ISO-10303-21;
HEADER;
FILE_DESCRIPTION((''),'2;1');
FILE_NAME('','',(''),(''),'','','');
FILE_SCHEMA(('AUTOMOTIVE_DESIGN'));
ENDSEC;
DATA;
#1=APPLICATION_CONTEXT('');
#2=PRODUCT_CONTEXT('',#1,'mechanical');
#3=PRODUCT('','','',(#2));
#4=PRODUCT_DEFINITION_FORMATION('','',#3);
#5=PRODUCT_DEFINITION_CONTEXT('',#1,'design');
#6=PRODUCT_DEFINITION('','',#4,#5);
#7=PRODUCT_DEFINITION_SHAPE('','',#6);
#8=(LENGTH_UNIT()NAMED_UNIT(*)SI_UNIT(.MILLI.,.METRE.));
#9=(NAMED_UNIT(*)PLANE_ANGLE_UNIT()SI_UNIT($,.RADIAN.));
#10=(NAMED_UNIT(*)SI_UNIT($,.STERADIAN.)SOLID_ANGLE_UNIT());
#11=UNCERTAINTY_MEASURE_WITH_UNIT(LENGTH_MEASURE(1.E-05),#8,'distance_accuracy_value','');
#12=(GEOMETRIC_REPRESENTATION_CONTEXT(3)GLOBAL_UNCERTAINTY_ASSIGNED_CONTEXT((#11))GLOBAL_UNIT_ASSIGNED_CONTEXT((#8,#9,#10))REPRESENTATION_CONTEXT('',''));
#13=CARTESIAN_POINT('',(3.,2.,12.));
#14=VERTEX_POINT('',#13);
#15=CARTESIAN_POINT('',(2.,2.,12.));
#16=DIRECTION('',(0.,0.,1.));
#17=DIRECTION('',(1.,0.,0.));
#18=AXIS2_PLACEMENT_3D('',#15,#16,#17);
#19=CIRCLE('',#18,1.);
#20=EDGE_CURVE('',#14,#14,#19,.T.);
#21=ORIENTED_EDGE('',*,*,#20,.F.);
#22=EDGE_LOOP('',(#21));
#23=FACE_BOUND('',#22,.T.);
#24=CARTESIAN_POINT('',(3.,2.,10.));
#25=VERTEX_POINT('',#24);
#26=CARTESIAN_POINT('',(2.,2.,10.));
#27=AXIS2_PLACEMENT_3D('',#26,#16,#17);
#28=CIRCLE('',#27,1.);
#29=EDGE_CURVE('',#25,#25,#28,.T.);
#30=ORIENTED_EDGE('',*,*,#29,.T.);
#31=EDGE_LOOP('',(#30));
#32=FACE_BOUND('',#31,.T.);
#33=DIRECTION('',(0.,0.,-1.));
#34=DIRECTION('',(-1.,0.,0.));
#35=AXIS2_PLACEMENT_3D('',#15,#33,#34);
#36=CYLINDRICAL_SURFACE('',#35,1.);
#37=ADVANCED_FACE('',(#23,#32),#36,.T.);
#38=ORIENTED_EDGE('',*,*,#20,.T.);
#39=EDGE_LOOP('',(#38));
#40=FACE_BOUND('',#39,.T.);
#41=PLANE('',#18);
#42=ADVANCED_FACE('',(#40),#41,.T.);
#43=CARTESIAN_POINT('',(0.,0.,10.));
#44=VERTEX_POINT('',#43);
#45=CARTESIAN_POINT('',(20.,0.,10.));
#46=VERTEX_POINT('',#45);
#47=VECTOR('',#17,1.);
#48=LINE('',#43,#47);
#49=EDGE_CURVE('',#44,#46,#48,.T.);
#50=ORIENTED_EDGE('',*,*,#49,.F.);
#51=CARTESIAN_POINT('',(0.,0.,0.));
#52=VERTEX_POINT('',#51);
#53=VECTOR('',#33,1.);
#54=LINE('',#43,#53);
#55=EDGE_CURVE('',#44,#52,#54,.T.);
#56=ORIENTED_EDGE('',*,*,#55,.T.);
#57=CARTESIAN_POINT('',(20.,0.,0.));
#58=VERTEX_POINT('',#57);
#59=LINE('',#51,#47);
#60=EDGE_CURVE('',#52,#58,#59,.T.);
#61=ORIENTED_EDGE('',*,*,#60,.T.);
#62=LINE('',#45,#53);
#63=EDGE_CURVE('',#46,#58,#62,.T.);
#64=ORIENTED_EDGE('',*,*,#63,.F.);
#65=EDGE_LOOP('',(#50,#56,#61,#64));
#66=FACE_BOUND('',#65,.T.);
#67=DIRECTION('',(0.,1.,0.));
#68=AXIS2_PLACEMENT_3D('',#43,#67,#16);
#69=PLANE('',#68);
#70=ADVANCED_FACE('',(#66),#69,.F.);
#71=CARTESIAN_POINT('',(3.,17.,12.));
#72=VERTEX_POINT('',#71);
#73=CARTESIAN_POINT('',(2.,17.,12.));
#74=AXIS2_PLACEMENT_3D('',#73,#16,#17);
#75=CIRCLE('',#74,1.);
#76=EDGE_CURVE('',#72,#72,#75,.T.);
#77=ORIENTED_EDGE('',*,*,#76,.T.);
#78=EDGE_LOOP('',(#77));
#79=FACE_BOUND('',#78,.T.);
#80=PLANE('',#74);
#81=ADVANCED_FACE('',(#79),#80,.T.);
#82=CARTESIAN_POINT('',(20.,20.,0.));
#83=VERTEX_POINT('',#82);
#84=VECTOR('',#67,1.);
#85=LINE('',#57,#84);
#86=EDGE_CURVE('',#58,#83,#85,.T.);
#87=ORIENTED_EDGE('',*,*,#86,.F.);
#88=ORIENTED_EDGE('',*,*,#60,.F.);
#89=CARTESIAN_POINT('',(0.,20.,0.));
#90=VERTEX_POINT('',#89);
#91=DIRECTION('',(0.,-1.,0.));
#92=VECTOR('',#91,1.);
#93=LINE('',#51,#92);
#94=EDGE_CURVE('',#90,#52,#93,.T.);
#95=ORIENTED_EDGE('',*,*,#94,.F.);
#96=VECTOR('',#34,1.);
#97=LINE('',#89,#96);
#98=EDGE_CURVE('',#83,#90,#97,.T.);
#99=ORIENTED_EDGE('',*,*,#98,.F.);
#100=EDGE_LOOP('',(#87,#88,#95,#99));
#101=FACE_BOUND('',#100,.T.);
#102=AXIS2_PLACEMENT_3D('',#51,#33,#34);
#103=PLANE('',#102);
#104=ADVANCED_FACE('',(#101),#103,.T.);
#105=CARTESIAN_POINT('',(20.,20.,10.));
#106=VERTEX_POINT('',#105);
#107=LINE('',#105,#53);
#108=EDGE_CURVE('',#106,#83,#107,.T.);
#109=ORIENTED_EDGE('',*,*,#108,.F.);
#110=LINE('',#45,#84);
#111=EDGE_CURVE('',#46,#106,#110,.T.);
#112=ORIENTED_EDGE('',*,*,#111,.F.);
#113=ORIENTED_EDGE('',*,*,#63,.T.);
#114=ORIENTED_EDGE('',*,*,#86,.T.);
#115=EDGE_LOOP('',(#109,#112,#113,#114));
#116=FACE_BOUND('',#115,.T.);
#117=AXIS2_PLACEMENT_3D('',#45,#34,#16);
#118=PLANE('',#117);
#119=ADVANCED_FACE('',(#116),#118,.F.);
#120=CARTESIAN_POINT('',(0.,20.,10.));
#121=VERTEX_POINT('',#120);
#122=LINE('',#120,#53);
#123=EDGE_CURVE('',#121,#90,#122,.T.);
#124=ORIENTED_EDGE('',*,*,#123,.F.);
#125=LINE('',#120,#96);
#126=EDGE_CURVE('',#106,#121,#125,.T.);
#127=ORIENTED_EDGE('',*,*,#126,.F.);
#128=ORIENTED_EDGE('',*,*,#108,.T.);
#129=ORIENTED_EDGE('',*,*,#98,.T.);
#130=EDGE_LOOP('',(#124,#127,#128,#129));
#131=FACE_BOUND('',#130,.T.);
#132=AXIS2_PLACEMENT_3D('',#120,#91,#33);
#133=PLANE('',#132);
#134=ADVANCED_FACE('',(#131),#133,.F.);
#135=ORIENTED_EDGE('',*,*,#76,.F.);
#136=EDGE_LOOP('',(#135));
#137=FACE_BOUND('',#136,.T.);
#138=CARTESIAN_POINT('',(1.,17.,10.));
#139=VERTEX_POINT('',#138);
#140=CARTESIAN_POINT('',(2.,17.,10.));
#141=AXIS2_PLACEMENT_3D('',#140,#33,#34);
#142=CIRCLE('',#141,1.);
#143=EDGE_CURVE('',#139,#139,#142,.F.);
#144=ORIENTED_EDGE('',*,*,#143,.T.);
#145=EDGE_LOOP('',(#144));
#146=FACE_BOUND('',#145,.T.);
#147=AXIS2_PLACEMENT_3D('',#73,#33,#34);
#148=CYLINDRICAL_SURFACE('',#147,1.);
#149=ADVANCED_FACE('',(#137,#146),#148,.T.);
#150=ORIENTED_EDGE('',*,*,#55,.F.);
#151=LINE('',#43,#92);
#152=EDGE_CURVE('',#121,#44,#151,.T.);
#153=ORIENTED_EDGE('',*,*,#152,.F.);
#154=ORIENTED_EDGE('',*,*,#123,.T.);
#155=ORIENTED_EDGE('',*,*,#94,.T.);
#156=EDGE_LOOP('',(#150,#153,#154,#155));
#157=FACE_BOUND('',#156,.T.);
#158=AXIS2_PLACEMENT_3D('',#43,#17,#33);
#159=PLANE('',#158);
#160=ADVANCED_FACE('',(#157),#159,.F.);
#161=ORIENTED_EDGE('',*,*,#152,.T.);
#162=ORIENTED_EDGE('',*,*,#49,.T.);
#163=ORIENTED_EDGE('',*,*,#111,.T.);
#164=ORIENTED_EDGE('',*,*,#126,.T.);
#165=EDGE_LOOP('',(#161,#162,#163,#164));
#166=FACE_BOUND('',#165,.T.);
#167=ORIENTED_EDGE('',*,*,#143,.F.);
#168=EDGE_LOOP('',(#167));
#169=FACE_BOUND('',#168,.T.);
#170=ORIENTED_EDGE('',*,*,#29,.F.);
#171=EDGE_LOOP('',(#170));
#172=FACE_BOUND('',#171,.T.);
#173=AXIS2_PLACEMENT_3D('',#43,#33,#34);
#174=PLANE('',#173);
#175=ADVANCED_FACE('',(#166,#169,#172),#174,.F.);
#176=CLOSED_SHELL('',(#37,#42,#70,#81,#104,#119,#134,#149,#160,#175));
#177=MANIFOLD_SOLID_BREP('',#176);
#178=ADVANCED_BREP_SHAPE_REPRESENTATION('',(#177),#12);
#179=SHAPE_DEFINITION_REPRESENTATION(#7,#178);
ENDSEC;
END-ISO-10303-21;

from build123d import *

# Parameters (mm, degrees)
SKETCH_1_W               = 20
SKETCH_1_H               = 20
BASEBOX_DEPTH            = 10
SKETCH_2_R               = 1
BOSSSEED_DEPTH           = 2
LINEARPATTERN_COUNT      = 2
LINEARPATTERN_PITCH      = 10
LINEARPATTERN_COUNT_DIR2 = 3
LINEARPATTERN_PITCH_DIR2 = 15


with BuildPart() as part:
    # 草图1 → BaseBox (new body)
    with BuildSketch(Plane.XY):
        with Locations((10, 10)):
            Rectangle(SKETCH_1_W, SKETCH_1_H)
    extrude(amount=BASEBOX_DEPTH)

    # 草图2 → BossSeed (add)
    with BuildSketch(Plane.XY.offset(10)):
        with Locations((2, 2)):
            Circle(SKETCH_2_R)
    bossseed = extrude(amount=BOSSSEED_DEPTH)

    # LinearPattern: BossSeed 2 × 3, 4 skipped
    with Locations(*[(-i * LINEARPATTERN_PITCH, j * LINEARPATTERN_PITCH_DIR2, 0) for i in range(LINEARPATTERN_COUNT) for j in range(LINEARPATTERN_COUNT_DIR2) if (i, j) not in ((0, 0), (0, 2), (1, 0), (1, 1), (1, 2))]):
        add(bossseed)


solid = part.part
